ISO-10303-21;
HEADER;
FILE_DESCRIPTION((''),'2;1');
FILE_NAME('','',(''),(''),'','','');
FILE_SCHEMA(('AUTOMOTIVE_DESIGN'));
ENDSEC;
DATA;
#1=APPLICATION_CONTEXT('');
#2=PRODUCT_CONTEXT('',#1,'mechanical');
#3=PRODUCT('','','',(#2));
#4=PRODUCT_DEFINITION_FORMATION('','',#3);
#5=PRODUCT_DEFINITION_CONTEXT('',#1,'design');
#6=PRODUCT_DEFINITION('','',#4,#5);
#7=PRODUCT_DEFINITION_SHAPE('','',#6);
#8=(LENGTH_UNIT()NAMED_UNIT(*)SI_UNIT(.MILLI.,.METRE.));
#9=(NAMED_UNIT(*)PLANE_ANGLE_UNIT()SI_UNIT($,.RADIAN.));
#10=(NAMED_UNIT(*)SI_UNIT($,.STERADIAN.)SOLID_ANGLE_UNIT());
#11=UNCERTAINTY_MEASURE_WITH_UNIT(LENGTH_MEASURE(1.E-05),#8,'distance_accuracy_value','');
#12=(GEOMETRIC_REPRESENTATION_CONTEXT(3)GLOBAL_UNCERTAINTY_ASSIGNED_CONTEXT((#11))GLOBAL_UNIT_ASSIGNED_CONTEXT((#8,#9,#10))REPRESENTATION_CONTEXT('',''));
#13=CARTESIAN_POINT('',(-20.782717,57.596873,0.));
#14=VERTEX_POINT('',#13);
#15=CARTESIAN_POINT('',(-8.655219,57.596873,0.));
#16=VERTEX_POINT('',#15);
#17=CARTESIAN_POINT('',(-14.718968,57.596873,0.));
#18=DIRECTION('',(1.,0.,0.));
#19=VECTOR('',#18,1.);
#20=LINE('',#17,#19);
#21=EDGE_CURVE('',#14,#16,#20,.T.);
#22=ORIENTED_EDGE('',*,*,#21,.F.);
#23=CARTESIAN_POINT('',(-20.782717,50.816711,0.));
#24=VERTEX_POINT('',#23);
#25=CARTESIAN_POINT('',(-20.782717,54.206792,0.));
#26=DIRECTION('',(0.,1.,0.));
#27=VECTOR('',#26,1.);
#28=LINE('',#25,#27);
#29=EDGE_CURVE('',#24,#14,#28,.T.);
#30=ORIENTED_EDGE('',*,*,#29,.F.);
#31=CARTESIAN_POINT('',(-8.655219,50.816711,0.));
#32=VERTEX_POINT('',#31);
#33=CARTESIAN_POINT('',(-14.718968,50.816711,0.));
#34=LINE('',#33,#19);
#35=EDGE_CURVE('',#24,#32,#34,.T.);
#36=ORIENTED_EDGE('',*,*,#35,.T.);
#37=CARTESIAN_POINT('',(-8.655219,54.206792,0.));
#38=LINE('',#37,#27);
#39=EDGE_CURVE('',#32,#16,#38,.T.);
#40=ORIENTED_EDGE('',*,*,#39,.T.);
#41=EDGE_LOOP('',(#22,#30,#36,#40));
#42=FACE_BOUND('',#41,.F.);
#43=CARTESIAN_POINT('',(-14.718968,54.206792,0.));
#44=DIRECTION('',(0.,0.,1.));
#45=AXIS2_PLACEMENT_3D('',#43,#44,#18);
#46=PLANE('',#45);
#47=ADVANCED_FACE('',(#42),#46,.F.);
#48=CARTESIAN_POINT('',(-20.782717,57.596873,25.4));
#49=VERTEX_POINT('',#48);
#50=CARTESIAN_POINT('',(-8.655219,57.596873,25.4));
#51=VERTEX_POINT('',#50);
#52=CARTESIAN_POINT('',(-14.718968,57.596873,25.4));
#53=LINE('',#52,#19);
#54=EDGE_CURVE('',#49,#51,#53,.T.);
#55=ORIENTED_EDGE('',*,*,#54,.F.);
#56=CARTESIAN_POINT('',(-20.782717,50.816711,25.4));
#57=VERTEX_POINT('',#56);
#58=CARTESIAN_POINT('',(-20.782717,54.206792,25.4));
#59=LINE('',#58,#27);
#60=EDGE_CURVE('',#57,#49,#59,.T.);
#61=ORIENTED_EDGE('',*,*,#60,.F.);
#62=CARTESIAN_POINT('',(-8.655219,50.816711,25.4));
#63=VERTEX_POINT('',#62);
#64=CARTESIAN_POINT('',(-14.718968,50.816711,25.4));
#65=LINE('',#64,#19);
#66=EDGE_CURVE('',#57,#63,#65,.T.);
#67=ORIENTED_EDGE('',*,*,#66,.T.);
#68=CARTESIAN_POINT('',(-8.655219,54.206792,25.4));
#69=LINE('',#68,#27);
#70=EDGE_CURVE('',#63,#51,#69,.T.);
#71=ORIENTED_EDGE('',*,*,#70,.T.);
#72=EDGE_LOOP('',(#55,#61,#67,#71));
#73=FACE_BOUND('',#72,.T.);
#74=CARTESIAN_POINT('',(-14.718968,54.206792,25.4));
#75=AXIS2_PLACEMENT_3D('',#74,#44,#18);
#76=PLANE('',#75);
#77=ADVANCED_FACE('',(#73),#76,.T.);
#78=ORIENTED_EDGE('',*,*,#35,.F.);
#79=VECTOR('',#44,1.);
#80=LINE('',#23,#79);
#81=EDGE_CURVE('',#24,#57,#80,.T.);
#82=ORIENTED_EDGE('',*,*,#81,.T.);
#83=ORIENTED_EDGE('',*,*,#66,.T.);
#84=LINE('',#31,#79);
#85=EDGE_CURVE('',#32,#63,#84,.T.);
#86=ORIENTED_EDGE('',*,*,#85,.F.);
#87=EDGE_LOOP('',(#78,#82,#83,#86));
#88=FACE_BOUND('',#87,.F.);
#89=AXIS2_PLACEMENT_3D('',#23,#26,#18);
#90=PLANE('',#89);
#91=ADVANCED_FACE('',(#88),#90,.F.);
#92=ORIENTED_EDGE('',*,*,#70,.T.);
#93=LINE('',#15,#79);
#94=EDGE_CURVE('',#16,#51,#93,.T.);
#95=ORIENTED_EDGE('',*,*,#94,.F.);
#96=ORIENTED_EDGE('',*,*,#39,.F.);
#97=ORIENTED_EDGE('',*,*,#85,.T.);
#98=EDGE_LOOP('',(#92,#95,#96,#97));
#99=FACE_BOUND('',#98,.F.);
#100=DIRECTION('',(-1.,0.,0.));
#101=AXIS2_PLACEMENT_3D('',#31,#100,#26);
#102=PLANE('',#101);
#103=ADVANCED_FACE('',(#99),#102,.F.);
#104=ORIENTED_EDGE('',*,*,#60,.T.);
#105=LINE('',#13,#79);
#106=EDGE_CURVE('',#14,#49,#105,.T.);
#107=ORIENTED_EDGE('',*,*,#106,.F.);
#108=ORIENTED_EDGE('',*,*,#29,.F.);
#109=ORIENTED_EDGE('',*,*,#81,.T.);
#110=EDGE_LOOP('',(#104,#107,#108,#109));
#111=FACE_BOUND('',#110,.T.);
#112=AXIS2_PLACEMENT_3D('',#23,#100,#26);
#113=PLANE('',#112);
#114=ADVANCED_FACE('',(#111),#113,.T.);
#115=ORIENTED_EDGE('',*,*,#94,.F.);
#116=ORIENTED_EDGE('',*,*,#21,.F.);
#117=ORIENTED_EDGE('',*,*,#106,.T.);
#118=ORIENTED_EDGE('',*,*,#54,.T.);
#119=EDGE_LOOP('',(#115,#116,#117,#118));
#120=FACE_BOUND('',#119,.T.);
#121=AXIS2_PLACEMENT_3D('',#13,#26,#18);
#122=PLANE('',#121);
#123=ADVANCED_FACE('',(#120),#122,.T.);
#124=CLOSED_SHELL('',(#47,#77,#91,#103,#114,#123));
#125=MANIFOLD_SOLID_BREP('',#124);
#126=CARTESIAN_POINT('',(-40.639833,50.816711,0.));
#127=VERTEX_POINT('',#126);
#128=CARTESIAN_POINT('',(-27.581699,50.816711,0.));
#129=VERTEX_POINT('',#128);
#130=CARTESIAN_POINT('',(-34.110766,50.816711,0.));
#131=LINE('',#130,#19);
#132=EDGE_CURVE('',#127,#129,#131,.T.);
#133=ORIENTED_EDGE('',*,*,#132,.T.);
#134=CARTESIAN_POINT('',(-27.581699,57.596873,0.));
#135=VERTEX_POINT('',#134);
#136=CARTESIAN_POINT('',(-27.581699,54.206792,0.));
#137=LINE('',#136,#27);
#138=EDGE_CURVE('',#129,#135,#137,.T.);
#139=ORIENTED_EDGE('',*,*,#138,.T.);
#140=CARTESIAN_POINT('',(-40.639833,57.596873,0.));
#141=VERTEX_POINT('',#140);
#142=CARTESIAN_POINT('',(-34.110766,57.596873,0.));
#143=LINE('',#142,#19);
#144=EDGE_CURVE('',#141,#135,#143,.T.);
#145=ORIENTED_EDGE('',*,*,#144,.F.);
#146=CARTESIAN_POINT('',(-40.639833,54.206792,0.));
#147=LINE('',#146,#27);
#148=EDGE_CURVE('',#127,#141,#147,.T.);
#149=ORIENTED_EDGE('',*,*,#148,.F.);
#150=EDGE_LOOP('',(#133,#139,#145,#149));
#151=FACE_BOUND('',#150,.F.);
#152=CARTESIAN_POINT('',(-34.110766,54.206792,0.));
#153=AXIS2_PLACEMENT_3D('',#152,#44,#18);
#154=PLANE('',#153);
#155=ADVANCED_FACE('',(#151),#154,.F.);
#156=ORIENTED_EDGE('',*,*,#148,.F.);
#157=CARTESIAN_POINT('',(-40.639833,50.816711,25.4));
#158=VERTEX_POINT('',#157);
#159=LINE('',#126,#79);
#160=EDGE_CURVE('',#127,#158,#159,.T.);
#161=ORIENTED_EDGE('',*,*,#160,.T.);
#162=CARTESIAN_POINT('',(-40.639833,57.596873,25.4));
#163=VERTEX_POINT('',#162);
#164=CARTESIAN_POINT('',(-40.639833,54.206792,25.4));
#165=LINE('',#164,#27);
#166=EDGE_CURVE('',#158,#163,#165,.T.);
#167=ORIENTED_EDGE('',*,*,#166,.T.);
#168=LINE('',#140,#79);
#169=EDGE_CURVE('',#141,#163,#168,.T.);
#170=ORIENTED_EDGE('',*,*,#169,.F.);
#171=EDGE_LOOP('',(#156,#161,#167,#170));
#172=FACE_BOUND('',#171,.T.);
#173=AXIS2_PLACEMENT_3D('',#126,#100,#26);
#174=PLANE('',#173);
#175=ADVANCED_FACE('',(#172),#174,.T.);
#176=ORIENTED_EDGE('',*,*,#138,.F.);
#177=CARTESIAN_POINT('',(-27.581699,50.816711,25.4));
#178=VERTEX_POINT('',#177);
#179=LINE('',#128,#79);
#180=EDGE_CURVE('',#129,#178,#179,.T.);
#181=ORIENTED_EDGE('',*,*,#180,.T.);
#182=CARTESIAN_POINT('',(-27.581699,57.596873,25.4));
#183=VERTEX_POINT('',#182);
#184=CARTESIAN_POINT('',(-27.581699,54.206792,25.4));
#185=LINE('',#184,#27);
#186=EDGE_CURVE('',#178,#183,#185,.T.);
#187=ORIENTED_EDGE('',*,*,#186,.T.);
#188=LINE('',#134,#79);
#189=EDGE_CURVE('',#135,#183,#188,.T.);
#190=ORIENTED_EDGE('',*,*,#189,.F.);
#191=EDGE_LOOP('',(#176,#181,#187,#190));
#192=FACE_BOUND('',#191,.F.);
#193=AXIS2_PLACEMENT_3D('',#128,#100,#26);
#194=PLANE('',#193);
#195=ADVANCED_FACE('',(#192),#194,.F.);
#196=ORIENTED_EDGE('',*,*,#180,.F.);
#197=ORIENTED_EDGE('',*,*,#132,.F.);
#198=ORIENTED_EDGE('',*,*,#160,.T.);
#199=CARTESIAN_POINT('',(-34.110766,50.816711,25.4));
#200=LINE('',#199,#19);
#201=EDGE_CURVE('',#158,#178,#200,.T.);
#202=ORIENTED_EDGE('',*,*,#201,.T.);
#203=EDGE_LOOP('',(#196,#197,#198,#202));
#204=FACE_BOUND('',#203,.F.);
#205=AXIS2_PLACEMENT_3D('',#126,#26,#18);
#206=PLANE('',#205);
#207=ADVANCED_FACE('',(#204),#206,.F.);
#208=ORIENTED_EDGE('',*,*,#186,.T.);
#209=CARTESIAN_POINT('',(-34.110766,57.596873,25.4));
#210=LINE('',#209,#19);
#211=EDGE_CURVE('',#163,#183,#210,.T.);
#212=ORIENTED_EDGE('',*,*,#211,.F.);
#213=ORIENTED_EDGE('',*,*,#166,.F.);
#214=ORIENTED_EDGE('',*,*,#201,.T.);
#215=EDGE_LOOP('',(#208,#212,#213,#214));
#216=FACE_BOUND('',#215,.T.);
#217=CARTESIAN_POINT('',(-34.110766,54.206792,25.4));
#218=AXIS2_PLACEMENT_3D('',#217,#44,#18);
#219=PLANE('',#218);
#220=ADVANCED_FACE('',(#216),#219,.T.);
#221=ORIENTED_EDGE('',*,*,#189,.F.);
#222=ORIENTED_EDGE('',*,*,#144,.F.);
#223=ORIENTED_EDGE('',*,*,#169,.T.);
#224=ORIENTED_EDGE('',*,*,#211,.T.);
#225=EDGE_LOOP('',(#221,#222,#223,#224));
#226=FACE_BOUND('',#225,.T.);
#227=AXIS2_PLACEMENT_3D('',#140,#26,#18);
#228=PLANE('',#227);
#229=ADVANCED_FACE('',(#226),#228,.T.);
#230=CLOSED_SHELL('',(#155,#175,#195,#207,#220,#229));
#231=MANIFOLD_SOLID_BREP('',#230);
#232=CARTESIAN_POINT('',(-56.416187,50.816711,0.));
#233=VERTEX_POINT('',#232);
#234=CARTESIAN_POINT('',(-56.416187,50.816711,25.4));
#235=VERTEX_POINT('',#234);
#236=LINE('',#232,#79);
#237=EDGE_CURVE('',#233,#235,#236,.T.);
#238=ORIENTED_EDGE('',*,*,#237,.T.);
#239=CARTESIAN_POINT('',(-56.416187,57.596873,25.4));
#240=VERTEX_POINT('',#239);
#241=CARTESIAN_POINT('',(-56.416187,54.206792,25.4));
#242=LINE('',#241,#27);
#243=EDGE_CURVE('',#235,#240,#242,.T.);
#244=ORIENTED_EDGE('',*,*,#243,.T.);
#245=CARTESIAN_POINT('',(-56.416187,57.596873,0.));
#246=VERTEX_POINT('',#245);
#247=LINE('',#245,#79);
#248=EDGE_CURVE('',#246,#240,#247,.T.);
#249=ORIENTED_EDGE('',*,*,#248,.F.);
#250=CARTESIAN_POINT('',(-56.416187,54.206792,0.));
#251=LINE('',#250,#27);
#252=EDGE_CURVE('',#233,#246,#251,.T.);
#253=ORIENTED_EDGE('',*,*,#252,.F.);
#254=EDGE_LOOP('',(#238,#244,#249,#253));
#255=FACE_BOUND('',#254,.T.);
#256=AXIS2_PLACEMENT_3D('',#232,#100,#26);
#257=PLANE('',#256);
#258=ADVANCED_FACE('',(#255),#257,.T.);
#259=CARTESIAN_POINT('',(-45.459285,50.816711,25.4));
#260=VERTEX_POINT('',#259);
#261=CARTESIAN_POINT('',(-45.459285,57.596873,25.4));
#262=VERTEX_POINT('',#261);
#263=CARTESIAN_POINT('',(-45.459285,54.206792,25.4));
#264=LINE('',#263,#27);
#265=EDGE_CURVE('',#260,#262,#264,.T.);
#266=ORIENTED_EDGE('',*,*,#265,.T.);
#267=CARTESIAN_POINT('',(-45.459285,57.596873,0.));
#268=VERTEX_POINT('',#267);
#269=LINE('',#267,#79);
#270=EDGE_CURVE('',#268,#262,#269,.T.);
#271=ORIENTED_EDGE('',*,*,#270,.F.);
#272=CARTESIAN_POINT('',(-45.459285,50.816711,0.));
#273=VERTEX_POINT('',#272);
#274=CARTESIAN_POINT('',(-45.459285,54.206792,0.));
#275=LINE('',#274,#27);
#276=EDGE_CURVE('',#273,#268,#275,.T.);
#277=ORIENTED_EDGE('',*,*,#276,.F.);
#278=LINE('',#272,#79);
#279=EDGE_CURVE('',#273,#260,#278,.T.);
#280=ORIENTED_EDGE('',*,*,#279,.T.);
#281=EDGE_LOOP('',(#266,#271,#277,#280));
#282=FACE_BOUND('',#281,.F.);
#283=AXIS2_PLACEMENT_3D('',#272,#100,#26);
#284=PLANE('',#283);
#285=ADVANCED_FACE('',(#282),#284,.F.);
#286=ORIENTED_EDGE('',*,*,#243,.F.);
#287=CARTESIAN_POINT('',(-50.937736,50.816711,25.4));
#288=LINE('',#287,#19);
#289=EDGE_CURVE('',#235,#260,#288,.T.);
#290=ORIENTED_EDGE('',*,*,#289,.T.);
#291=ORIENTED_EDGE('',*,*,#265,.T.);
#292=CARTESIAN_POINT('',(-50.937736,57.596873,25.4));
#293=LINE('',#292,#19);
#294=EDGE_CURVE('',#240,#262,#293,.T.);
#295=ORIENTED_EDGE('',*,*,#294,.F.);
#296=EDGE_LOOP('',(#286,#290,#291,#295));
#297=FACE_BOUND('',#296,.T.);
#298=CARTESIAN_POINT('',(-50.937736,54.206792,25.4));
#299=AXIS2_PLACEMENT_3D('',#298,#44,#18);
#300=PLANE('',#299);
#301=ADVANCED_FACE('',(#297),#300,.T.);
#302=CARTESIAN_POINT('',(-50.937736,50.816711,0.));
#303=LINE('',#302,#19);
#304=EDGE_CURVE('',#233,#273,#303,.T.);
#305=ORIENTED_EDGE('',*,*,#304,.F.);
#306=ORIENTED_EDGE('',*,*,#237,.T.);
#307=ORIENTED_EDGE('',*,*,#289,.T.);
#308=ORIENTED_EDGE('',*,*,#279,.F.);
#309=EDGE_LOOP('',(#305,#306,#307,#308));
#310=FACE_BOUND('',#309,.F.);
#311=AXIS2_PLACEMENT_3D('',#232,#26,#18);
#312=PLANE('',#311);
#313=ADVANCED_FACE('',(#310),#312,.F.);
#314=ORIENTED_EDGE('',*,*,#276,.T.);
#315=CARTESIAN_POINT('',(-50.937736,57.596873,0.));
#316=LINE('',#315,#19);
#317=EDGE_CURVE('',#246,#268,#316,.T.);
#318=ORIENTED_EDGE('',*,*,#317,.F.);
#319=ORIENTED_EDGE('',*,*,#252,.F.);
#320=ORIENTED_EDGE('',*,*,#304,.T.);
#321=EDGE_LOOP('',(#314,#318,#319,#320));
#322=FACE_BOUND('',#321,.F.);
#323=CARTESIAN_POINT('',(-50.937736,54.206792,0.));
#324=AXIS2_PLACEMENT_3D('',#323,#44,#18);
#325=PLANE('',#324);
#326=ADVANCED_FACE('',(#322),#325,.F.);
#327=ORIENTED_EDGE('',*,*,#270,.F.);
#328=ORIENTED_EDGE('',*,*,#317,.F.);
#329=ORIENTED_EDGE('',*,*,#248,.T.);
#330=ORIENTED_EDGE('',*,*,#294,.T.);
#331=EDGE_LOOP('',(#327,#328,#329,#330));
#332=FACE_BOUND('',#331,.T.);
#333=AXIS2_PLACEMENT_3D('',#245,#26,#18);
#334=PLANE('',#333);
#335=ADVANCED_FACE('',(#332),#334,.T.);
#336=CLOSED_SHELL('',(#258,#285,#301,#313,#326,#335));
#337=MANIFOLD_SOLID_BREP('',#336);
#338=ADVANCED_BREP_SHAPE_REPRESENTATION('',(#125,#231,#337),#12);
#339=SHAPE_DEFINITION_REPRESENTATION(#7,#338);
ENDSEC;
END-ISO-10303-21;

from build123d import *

# Parameters (mm, degrees)
F0_W     = 10.956902
F0_H     = 6.780162
F0_W_2   = 13.058134
F0_W_3   = 12.127498
F1_DEPTH = 25.4


with BuildPart() as f1:
    # F0 (on Top) → F1 (new body)
    with BuildSketch(Plane.XY):
        with Locations((-50.937736, 54.206792)):
            Rectangle(F0_W, F0_H)
        with Locations((-34.110766, 54.206792)):
            Rectangle(F0_W_2, F0_H)
        with Locations((-14.718968, 54.206792)):
            Rectangle(F0_W_3, F0_H)
    extrude(amount=F1_DEPTH)


solid = f1.part
